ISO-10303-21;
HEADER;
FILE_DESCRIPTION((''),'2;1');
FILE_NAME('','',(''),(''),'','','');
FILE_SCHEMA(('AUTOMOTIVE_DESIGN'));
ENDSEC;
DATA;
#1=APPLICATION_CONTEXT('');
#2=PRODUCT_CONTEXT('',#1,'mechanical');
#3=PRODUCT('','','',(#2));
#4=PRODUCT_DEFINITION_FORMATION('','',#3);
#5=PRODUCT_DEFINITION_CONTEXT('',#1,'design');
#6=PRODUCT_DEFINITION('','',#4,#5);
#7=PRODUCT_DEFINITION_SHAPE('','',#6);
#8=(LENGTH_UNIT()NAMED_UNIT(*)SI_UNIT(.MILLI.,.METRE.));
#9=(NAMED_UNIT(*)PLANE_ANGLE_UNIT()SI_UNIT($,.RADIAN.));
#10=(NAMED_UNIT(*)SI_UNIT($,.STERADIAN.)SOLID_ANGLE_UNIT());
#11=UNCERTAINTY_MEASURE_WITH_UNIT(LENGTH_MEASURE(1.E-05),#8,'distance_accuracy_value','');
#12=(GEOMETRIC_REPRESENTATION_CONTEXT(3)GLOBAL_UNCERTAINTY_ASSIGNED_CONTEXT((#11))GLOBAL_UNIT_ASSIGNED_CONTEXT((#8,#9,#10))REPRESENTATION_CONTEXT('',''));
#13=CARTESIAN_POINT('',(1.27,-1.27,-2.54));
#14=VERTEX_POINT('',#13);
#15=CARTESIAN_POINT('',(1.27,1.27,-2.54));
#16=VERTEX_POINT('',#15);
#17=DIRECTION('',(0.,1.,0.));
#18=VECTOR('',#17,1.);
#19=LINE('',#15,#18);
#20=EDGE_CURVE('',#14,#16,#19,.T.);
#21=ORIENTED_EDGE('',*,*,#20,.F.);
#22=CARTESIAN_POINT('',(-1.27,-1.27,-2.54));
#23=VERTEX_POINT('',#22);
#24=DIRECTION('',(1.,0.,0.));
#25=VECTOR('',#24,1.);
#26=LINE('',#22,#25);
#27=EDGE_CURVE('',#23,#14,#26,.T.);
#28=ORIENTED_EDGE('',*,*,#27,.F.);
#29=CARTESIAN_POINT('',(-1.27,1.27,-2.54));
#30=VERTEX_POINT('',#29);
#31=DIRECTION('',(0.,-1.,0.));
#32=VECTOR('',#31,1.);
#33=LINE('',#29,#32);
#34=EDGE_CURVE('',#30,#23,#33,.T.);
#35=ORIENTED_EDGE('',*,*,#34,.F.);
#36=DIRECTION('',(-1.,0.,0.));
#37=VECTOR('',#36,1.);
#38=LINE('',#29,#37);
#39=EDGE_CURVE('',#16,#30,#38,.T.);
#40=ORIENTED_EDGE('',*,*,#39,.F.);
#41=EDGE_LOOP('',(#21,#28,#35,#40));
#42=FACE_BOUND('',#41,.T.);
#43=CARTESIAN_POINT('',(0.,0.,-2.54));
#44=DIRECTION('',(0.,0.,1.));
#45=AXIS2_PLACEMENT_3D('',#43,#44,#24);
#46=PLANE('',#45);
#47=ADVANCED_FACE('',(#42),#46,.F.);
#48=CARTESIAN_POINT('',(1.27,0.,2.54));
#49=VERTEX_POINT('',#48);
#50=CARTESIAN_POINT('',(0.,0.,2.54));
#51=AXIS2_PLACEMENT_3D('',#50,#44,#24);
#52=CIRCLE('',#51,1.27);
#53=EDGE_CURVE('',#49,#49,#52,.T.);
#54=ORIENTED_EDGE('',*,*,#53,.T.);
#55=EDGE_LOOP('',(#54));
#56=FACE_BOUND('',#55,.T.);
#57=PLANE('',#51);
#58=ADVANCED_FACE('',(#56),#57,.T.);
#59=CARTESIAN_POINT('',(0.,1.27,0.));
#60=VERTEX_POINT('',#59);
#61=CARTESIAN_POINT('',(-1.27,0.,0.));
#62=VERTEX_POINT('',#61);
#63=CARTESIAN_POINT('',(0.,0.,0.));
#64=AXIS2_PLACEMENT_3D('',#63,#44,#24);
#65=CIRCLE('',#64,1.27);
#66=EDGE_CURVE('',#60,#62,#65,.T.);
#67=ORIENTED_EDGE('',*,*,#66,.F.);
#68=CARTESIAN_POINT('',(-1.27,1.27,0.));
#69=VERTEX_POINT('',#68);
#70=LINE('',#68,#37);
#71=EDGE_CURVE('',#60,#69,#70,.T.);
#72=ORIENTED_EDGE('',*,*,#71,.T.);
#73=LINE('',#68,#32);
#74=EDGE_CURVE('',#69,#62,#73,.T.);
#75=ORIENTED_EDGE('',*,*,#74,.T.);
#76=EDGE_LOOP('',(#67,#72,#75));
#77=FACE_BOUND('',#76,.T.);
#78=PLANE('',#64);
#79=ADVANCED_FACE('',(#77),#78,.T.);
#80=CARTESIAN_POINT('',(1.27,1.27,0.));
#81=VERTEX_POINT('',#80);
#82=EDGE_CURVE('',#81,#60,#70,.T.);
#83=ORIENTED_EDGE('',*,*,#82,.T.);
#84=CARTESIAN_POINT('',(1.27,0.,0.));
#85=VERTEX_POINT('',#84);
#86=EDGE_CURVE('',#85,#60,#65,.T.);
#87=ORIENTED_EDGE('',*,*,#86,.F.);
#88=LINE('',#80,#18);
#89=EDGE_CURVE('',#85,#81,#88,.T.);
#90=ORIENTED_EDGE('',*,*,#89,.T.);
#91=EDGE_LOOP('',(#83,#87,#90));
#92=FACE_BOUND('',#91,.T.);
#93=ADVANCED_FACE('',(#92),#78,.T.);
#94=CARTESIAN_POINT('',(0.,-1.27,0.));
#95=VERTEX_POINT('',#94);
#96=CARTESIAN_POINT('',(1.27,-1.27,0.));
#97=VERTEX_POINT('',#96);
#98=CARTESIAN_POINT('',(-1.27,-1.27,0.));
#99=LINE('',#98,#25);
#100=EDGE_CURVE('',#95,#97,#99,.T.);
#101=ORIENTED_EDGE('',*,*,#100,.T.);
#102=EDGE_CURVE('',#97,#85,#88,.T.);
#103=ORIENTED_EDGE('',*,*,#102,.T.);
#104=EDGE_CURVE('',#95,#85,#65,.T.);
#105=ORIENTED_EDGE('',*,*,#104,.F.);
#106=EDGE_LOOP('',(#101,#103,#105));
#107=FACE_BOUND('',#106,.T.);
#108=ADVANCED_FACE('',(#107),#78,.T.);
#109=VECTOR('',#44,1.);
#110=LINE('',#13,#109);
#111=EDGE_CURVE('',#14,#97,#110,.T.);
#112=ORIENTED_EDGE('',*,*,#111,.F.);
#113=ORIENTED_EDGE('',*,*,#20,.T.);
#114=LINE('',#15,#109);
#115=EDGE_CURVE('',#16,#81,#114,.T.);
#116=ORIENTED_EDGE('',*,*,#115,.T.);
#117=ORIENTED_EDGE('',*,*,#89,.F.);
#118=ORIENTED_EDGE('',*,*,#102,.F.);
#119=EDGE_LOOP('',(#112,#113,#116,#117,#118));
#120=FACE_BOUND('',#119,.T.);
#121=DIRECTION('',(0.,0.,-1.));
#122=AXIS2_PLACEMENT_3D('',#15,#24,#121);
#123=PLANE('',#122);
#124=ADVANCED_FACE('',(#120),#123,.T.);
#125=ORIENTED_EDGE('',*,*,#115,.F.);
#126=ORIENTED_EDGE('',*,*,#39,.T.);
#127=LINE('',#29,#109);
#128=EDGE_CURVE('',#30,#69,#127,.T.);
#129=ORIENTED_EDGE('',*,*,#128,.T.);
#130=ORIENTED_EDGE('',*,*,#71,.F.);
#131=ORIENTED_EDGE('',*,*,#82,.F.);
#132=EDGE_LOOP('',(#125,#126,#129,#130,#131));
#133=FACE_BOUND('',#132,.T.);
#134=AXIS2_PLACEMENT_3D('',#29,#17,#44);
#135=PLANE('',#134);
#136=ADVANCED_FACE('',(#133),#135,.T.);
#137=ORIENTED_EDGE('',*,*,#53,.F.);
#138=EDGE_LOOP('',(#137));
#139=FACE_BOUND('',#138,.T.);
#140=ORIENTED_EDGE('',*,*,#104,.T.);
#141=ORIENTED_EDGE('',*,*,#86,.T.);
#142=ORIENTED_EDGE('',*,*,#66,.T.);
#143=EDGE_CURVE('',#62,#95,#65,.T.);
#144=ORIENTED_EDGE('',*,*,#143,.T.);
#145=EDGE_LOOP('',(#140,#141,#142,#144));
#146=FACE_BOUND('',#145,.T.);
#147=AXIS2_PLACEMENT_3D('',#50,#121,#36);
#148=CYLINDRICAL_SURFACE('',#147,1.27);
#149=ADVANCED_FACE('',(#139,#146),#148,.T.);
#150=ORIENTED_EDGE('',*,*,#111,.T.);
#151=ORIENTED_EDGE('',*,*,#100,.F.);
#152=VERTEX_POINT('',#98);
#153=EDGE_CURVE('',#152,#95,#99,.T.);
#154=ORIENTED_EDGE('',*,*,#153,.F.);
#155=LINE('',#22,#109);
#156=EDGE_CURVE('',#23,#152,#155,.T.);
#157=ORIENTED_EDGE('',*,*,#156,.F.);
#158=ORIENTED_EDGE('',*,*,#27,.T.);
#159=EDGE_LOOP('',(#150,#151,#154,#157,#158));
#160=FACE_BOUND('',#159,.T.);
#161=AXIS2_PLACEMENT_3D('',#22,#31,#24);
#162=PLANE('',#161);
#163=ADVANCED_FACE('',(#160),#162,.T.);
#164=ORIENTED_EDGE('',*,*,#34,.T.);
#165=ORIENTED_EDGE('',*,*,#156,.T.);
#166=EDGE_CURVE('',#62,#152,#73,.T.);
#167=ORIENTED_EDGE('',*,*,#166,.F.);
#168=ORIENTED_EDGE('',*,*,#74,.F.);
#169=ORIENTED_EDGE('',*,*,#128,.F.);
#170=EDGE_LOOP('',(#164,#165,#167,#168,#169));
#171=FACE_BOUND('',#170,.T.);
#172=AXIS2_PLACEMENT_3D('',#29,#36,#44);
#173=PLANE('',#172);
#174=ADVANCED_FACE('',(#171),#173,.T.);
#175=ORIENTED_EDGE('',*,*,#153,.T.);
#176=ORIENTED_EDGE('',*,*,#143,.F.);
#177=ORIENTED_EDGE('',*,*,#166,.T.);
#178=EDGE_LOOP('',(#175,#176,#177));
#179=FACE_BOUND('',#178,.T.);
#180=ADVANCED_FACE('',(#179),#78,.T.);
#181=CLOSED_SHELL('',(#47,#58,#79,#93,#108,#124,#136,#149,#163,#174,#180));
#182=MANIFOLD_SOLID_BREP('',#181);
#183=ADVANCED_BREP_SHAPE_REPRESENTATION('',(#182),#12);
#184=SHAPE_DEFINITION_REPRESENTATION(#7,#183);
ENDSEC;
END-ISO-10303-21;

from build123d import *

# Parameters (mm, degrees)
SKETCH1_W           = 2.54
SKETCH1_H           = 2.54
BOSS_EXTRUDE1_DEPTH = 2.54
SKETCH2_R           = 1.27
BOSS_EXTRUDE2_DEPTH = 2.54


with BuildPart() as part:
    # Sketch1 → Boss-Extrude1 (new body)
    with BuildSketch(Plane.XY):
        Rectangle(SKETCH1_W, SKETCH1_H)
    extrude(amount=-BOSS_EXTRUDE1_DEPTH)

    # Sketch2 → Boss-Extrude2 (add)
    with BuildSketch(Plane.XY):
        Circle(SKETCH2_R)
    extrude(amount=BOSS_EXTRUDE2_DEPTH)


solid = part.part
